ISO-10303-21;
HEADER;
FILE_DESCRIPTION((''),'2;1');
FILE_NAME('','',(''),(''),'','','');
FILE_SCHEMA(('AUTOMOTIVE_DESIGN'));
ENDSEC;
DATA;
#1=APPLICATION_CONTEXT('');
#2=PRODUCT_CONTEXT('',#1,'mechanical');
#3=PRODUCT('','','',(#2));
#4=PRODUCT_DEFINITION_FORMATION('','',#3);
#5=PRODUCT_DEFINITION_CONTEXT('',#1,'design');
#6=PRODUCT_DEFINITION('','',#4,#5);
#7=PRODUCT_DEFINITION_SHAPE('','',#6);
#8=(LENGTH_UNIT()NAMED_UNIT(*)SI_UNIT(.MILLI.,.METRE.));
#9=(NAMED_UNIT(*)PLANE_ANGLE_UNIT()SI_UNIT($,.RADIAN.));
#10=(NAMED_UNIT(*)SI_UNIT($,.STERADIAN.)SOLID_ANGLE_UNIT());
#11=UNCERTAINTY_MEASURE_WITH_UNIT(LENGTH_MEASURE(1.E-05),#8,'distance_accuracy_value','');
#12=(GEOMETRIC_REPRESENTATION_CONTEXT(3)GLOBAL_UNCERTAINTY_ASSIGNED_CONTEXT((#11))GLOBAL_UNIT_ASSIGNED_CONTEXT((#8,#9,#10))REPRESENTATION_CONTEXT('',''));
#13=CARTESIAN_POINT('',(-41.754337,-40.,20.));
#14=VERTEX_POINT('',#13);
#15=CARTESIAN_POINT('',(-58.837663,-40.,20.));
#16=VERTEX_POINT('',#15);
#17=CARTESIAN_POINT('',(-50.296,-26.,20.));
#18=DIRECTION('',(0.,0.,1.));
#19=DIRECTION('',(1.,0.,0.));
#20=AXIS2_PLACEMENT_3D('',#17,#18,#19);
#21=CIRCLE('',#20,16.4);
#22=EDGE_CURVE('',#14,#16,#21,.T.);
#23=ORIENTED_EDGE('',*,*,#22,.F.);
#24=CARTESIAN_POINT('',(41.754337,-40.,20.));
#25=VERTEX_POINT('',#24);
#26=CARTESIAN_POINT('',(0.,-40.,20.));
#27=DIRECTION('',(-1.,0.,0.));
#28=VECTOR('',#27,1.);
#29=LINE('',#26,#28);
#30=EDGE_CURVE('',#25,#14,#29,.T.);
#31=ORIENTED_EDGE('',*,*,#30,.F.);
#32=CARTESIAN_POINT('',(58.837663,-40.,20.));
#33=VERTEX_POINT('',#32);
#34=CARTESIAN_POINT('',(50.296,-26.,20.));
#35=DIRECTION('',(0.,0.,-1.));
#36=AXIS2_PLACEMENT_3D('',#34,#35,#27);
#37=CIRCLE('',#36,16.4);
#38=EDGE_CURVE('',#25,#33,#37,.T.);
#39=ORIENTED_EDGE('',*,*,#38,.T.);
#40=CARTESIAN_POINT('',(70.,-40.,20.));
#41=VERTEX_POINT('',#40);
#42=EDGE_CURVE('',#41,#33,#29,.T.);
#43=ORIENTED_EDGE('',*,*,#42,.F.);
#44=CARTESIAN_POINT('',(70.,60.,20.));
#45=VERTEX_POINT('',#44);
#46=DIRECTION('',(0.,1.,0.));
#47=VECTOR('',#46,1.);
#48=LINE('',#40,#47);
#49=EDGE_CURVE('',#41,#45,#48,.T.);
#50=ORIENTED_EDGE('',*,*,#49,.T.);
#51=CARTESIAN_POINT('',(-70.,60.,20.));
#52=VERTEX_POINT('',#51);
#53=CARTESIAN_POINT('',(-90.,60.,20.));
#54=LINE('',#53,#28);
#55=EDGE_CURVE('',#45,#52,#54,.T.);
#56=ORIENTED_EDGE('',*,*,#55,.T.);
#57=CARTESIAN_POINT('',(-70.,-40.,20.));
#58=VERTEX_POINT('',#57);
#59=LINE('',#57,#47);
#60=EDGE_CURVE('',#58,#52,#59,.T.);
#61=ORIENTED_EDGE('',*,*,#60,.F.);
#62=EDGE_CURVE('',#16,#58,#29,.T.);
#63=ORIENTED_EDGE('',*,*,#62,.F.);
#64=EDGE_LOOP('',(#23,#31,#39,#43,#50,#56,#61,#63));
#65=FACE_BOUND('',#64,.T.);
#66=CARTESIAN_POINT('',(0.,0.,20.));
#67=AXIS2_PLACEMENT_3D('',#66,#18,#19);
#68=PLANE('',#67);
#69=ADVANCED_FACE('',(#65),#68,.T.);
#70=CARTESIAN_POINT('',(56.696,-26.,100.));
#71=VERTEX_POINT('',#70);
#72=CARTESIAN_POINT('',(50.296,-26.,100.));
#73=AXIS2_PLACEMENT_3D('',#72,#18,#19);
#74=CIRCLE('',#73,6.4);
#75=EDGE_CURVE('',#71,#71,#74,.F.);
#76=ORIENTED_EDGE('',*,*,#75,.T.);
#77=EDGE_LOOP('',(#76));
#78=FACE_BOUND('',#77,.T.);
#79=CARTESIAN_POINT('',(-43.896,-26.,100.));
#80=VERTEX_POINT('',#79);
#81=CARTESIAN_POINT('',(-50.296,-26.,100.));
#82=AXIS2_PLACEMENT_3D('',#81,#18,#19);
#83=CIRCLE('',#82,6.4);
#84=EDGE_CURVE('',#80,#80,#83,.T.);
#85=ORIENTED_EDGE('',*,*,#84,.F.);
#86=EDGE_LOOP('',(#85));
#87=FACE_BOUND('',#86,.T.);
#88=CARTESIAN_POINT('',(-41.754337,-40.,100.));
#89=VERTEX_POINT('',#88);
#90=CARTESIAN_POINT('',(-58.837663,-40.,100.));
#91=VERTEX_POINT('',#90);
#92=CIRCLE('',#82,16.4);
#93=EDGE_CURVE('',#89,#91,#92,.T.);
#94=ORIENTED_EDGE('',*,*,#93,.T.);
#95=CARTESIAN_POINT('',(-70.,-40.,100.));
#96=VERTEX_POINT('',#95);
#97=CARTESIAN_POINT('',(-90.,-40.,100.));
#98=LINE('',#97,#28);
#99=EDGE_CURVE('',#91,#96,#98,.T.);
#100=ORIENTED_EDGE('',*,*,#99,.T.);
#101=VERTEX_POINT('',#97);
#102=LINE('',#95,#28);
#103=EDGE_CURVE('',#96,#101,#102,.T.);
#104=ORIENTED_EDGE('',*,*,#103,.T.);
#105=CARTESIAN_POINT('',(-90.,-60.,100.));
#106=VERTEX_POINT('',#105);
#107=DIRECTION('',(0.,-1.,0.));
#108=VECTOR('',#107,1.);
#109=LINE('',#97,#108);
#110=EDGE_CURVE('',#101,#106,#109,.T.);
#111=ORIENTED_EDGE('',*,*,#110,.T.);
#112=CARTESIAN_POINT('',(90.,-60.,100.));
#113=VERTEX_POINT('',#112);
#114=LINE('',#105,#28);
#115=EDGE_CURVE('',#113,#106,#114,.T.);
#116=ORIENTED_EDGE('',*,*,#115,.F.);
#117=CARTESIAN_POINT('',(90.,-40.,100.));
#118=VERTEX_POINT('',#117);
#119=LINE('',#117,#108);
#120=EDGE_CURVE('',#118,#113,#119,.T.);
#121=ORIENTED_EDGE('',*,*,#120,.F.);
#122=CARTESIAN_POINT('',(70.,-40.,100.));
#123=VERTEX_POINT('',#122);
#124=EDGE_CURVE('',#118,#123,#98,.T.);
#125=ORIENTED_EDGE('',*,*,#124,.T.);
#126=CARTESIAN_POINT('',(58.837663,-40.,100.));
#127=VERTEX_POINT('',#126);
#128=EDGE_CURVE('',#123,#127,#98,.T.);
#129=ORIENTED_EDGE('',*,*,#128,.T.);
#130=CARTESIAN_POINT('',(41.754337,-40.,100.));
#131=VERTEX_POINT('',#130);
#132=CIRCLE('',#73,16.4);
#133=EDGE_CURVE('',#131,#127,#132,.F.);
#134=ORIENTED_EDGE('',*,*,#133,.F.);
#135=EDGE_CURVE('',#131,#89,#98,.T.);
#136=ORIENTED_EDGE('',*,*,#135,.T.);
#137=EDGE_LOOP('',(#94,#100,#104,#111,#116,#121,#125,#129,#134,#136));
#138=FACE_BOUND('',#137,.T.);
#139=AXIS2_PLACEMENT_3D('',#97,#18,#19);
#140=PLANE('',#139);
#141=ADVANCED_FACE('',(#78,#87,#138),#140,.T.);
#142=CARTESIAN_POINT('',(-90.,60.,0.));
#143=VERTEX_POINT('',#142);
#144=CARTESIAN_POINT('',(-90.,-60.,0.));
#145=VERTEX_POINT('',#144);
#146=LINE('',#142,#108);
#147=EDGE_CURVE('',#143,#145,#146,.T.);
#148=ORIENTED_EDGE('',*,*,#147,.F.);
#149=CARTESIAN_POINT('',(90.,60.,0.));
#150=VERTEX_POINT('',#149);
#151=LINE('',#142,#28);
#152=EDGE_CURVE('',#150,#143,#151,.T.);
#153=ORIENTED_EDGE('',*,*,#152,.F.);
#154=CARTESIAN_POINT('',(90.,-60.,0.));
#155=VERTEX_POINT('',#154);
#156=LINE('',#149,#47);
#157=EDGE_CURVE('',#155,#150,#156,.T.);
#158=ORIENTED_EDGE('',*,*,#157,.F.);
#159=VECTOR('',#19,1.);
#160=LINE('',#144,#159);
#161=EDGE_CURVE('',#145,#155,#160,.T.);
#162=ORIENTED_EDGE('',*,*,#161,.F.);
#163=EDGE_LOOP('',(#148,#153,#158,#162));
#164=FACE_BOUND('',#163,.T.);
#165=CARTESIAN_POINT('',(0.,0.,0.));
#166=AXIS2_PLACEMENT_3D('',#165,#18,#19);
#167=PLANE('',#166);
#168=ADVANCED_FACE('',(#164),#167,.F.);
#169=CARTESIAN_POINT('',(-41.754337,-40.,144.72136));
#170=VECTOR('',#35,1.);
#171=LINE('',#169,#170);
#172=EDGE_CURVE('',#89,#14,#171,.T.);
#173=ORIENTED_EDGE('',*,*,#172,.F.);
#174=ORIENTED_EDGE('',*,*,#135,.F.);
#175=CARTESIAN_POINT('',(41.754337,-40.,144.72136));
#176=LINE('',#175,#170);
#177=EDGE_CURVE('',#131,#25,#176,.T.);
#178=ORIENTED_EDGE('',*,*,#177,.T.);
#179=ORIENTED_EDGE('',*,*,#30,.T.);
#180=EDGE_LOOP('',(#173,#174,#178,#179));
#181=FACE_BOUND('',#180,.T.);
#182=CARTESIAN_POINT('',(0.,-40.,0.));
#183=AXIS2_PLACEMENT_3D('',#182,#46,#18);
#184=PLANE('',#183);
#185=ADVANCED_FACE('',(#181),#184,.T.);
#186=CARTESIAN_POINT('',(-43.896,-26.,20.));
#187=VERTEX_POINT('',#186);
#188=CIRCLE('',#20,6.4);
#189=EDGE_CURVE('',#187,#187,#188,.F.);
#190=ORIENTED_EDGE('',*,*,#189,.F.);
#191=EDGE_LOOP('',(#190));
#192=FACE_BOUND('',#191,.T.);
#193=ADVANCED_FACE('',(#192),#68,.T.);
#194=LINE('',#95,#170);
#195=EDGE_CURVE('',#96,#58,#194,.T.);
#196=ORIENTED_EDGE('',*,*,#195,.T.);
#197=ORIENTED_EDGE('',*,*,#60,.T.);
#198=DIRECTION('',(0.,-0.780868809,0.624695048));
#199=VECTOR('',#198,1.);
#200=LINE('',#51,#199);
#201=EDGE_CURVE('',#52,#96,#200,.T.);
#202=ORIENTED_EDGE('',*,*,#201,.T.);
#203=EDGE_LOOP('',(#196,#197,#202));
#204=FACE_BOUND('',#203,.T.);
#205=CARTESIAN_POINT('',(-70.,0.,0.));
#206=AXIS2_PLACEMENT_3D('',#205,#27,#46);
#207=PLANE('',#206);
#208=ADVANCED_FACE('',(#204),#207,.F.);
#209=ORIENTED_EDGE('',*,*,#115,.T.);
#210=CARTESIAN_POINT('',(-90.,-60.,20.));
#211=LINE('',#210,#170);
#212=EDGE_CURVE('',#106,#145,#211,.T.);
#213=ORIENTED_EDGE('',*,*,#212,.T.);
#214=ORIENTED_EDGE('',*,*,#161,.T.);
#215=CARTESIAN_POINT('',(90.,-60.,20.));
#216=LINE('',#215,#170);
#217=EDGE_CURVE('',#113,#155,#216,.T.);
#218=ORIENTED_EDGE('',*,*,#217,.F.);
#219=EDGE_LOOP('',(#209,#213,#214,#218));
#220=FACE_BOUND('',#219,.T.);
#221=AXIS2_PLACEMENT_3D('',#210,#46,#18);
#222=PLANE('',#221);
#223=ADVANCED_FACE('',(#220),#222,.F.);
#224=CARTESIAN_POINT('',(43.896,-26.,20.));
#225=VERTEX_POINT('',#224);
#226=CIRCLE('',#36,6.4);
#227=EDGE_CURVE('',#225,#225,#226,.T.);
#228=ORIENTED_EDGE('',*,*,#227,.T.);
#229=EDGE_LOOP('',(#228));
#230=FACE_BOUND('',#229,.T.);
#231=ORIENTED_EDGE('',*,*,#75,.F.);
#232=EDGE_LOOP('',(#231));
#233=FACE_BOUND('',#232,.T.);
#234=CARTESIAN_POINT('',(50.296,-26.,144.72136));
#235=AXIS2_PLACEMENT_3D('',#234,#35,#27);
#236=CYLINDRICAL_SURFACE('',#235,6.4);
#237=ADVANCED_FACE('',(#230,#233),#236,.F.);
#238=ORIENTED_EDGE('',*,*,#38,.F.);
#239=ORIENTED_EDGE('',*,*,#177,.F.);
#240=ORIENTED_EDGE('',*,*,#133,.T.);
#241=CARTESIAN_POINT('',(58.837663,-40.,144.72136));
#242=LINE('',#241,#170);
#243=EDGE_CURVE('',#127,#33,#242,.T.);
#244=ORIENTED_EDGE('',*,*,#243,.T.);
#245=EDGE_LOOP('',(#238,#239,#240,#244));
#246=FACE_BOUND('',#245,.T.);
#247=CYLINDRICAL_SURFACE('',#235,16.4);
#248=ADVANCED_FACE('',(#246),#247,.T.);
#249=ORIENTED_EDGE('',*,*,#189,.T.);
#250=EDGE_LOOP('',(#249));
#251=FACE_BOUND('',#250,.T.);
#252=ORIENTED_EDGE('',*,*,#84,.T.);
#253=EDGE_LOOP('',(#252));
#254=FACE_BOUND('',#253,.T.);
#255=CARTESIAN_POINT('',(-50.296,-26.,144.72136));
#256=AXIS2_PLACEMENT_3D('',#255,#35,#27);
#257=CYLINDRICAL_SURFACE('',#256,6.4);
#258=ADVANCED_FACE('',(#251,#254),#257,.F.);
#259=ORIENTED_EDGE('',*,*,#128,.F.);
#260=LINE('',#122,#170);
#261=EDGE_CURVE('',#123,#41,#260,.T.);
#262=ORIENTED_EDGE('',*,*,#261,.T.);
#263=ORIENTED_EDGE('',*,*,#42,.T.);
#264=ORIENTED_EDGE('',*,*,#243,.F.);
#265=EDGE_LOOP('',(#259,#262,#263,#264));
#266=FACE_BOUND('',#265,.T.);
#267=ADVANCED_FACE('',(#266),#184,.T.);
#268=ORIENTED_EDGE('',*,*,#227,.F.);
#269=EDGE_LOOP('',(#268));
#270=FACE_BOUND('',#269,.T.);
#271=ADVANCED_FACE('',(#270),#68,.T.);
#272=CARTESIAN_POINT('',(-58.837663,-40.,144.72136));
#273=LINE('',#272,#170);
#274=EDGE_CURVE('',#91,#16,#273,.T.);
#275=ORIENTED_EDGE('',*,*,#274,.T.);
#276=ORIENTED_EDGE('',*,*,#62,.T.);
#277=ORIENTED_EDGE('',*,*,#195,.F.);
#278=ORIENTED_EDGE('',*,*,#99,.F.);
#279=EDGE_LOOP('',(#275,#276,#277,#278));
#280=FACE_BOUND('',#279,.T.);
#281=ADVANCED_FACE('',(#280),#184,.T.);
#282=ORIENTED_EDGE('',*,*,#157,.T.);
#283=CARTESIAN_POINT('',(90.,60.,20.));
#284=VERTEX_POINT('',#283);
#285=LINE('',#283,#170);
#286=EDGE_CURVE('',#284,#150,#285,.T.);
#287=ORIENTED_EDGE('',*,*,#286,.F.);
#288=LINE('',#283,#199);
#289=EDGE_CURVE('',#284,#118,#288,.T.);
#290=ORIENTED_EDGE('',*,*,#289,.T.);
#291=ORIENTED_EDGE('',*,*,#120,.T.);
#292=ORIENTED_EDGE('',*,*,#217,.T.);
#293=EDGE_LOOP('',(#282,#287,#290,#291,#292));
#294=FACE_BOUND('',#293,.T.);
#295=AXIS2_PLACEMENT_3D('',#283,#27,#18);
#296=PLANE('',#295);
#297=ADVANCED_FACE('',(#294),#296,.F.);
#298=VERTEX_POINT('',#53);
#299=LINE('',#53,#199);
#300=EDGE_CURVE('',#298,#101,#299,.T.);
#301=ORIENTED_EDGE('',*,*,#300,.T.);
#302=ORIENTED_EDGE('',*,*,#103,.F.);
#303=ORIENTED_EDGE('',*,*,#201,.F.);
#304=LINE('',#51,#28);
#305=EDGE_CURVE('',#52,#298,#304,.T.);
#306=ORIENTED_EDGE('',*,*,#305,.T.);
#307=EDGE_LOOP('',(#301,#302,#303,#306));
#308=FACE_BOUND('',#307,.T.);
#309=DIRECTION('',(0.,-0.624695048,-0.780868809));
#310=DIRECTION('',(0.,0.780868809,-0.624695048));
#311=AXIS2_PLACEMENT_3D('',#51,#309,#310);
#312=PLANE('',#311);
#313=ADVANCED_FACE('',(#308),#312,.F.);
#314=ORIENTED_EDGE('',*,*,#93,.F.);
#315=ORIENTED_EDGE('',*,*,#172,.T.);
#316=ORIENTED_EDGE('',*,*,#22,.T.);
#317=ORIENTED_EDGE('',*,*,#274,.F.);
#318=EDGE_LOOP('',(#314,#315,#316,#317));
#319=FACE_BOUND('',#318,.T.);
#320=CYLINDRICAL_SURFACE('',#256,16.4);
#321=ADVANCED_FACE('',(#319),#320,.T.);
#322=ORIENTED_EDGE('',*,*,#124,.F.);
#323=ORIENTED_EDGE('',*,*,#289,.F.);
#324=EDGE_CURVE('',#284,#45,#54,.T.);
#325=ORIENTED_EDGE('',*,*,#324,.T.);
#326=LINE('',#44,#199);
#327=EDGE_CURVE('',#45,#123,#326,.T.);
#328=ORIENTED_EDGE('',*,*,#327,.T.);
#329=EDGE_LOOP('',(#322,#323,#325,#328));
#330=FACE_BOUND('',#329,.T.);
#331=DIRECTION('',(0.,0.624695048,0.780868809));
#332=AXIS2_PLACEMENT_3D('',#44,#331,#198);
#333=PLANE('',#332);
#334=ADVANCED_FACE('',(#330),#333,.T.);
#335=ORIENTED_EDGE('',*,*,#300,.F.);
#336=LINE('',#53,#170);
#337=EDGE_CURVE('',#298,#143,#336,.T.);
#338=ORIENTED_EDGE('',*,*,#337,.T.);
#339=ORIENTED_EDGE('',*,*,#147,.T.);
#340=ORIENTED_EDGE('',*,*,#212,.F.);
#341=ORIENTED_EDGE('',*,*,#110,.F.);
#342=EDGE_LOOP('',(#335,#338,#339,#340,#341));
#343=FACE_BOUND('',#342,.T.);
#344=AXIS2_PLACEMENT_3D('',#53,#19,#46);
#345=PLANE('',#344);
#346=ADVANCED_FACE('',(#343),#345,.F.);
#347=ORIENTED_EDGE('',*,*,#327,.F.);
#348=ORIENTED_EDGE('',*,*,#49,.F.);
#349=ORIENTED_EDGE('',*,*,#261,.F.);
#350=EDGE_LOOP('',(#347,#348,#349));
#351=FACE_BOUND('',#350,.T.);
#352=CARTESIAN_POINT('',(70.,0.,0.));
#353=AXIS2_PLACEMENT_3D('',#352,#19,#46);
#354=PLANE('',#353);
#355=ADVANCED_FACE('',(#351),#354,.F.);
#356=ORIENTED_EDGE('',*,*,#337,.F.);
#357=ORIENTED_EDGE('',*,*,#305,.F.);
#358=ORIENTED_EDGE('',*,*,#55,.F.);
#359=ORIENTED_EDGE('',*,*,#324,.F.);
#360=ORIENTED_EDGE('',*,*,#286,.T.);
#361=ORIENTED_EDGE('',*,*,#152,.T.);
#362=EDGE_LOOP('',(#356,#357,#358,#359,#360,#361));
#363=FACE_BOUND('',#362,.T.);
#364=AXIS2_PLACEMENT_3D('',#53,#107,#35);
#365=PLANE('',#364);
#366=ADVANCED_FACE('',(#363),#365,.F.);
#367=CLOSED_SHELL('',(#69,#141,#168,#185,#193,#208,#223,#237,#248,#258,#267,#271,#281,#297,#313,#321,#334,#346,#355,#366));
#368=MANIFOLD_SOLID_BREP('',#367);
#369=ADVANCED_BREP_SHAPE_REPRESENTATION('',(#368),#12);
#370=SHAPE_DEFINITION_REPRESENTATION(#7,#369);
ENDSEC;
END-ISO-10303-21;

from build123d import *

# Parameters (mm, degrees)
SKETCH1_W            = 180
SKETCH1_H            = 120
BOSS_EXTRUDE1_DEPTH  = 20
SKETCH4_W            = 180
SKETCH4_H            = 100
BOSS_EXTRUDE4_DEPTH  = 20
BOSS_EXTRUDE5_DEPTH  = 20
SKETCH6_R            = 6.4
BOSS_EXTRUDE11_DEPTH = 80


with BuildPart() as part:
    # Sketch1 → Boss-Extrude1 (new body)
    with BuildSketch(Plane.XY):
        Rectangle(SKETCH1_W, SKETCH1_H)
    extrude(amount=BOSS_EXTRUDE1_DEPTH)

    # Sketch4 → Boss-Extrude4 (add)
    with BuildSketch(Plane(origin=(0, -60, 0), x_dir=(-1, 0, 0), z_dir=(0, -1, 0))):
        with Locations((0, -50)):
            Rectangle(SKETCH4_W, SKETCH4_H)
    extrude(amount=-BOSS_EXTRUDE4_DEPTH)

    # Sketch5 → Boss-Extrude5 (add)
    with BuildSketch(Plane(origin=(90, 0, 0), x_dir=(0, 0, -1), z_dir=(1, 0, 0))):
        Polygon((-100, -40), (-20, -40), (-20, 60), align=None)
    boss_extrude5 = extrude(amount=-BOSS_EXTRUDE5_DEPTH)

    # Mirror2: Boss-Extrude5 across plane
    add(boss_extrude5.mirror(Plane(origin=(0, 0, 0), x_dir=(0, 0, 1), z_dir=(1, 0, 0))))

    # Sketch6 → Boss-Extrude11 (add)
    with BuildSketch(Plane.XY.offset(20)):
        with BuildLine():
            Line((-41.754337398, -40), (-58.837662602, -40))
            ThreePointArc((-58.837662602, -40), (-50.296, -9.6), (-41.754337398, -40))
        make_face()
        with Locations((-50.296, -26)):
            Circle(SKETCH6_R, mode=Mode.SUBTRACT)
    boss_extrude11 = extrude(amount=BOSS_EXTRUDE11_DEPTH)

    # Mirror3: Boss-Extrude11 across plane
    add(boss_extrude11.mirror(Plane(origin=(0, 0, 0), x_dir=(0, 0, 1), z_dir=(1, 0, 0))))


solid = part.part
